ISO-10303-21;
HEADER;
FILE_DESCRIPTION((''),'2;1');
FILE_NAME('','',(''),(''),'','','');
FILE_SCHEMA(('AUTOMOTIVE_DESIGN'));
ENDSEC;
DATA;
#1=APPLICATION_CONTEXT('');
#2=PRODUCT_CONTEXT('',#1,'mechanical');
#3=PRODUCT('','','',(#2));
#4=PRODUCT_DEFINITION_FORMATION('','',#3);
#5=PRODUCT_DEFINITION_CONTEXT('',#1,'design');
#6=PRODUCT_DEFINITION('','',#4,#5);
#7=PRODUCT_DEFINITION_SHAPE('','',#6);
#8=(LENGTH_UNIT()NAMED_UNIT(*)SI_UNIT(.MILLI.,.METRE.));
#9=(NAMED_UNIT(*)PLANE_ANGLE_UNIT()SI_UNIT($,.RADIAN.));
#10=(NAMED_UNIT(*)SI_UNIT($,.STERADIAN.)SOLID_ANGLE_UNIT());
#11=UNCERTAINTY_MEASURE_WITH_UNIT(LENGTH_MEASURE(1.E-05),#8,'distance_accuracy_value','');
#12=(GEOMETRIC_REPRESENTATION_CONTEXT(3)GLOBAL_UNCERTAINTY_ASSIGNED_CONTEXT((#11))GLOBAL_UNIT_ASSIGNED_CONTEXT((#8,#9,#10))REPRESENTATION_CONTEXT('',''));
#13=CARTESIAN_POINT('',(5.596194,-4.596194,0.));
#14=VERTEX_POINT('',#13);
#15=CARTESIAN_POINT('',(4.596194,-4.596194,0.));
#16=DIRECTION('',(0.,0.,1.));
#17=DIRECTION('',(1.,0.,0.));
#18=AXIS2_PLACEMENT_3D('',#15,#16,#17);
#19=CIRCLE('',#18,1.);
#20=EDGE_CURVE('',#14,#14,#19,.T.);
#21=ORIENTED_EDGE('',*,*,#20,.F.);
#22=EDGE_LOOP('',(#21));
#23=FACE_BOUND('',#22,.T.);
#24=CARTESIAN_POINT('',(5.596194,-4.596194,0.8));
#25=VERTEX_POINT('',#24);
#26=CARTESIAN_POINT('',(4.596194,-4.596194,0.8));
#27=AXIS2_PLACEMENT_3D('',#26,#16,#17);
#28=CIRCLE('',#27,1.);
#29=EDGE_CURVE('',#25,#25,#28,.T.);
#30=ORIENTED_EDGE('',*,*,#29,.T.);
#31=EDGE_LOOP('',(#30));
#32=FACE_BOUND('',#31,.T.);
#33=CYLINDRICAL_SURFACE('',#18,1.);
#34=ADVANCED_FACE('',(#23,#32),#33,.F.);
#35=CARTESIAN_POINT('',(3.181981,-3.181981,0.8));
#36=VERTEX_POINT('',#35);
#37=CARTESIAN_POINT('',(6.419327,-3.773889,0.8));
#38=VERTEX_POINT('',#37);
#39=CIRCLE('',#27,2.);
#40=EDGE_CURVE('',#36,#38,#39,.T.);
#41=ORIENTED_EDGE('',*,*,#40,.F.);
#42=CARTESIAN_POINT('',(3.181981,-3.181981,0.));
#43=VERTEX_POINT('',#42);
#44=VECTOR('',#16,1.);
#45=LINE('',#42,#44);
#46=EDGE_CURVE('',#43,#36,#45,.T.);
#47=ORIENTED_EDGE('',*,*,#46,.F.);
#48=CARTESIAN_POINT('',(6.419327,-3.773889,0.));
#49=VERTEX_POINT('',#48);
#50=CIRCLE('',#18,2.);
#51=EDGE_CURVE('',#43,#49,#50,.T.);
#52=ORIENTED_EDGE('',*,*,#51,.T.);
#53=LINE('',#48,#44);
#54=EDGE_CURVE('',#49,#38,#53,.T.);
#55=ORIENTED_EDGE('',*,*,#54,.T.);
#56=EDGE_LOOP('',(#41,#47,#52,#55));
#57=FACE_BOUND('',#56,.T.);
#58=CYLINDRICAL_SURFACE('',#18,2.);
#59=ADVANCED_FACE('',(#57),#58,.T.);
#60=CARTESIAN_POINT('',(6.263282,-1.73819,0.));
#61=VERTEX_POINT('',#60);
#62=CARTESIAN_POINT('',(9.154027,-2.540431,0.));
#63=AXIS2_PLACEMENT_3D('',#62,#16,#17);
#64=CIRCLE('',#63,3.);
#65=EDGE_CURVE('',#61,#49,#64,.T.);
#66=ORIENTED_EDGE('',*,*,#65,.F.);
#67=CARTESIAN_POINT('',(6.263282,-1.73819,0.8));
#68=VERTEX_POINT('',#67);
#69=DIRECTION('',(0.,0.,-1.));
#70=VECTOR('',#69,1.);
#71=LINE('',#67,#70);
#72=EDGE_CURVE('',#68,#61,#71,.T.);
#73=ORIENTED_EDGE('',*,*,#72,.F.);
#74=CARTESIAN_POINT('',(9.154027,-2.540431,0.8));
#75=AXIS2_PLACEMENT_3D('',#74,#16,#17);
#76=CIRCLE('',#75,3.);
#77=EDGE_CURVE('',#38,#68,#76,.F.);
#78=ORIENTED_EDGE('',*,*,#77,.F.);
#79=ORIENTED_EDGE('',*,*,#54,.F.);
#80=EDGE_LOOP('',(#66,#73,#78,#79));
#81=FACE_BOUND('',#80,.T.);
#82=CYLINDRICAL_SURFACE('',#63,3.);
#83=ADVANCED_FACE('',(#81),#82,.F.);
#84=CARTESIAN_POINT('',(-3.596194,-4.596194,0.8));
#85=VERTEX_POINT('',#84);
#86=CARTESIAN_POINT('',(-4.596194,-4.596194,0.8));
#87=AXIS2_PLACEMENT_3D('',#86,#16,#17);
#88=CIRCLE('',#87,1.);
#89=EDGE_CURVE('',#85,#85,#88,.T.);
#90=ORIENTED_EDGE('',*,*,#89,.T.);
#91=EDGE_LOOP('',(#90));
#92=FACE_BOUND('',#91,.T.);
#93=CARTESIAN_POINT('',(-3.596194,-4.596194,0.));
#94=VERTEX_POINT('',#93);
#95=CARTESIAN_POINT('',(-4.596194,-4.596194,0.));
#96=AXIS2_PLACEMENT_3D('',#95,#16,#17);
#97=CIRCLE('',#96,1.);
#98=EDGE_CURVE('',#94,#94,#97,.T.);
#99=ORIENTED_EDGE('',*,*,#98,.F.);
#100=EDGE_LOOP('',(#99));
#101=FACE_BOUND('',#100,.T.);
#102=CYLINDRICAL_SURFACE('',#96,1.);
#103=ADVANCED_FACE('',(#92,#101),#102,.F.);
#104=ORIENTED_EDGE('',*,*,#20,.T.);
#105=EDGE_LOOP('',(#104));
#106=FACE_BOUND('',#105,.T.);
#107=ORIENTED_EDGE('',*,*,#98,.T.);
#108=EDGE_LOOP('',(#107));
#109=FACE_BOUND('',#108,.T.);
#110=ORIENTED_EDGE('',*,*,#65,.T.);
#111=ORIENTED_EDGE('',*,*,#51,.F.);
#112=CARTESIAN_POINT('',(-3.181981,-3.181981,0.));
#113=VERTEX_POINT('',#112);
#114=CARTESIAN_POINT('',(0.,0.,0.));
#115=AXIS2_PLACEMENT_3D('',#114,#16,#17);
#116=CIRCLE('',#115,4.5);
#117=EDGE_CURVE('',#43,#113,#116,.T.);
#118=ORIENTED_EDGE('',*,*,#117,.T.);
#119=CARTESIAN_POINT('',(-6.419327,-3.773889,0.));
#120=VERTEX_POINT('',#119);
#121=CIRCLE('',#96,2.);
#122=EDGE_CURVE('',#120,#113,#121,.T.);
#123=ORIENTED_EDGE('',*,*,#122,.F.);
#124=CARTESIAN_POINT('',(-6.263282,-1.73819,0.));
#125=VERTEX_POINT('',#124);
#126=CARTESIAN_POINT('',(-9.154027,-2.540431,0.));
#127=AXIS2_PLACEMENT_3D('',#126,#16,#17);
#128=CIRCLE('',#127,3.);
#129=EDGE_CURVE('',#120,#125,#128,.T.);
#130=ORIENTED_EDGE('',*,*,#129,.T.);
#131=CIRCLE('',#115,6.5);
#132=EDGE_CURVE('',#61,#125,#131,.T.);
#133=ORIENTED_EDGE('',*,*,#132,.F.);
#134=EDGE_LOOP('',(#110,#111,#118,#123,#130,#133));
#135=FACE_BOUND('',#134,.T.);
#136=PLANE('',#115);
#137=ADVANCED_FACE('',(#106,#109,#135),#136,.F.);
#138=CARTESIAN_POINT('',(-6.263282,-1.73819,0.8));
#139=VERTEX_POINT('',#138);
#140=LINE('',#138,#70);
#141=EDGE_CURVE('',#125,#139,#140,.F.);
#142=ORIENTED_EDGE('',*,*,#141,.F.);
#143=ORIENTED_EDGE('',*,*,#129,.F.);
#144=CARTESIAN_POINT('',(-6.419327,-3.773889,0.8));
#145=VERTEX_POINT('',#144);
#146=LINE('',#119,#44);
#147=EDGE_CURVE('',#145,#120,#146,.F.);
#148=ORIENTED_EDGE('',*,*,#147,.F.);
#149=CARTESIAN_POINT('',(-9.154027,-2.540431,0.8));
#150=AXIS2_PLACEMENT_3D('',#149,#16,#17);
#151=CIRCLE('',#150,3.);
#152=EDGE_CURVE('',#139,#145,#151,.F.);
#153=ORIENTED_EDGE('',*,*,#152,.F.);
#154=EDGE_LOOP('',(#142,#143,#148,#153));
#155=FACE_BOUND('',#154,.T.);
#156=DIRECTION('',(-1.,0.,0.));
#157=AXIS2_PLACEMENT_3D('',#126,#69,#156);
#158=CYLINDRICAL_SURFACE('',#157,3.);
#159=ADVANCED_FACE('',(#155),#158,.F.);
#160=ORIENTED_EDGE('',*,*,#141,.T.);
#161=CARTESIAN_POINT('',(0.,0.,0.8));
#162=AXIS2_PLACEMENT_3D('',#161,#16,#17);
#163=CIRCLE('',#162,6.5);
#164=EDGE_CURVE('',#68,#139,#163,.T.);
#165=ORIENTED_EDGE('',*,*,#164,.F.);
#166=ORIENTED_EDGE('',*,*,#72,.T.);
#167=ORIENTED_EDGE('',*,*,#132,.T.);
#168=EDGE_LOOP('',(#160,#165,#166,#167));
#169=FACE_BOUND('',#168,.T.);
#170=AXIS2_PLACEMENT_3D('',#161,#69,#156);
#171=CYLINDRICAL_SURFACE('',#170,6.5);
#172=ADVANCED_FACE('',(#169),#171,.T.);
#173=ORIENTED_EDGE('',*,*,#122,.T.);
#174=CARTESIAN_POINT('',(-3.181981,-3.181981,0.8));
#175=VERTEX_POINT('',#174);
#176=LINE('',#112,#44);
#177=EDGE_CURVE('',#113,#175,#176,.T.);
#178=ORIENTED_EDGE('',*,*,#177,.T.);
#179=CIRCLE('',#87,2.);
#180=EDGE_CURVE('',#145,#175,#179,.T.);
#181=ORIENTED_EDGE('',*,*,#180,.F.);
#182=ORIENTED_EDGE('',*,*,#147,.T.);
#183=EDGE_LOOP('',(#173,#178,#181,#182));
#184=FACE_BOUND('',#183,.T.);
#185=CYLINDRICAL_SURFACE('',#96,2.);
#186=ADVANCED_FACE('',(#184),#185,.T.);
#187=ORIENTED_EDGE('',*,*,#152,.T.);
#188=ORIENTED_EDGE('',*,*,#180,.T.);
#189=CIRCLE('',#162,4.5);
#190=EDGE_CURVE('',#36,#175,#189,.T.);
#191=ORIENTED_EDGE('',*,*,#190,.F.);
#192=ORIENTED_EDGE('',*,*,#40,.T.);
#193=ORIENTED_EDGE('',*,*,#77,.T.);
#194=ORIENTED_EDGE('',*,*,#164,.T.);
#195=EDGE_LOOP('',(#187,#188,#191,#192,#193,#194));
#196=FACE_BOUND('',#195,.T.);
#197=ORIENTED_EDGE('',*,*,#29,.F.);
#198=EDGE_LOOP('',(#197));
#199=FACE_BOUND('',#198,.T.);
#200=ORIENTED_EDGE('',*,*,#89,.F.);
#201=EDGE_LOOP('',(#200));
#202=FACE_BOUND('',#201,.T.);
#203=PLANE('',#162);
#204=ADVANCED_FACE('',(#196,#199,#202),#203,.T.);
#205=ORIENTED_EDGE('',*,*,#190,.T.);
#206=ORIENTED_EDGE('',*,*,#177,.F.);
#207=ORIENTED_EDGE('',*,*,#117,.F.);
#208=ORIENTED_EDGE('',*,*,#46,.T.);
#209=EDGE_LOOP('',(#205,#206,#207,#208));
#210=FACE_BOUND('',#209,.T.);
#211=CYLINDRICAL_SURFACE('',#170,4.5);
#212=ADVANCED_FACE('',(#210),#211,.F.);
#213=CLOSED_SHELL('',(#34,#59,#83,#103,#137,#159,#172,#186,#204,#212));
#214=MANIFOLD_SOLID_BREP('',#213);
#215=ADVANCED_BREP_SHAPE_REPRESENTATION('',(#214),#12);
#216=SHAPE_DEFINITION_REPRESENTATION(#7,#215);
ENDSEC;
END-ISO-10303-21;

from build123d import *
from build123d.topology import SkipClean

# Parameters (mm, degrees)
SKETCH1_R           = 6.5
SKETCH1_R_2         = 4.5
BOSS_EXTRUDE1_DEPTH = 0.8
SKETCH2_R           = 2
BOSS_EXTRUDE2_DEPTH = 0.8
CUT_EXTRUDE1_START  = -0.8
CUT_EXTRUDE1_DEPTH  = 0.8
SKETCH4_R           = 1
CUT_EXTRUDE2_DEPTH  = 0.8
FILLET1_R           = 3


with BuildPart() as part:
    # Sketch1 → Boss-Extrude1 (new body)
    with BuildSketch(Plane.XY):
        Circle(SKETCH1_R)
        Circle(SKETCH1_R_2, mode=Mode.SUBTRACT)
    extrude(amount=BOSS_EXTRUDE1_DEPTH)

    # Sketch2 → Boss-Extrude2 (add)
    with BuildSketch(Plane.XY.offset(0.8)):
        with Locations((-4.596194078, -4.596194078)):
            Circle(SKETCH2_R)
        with Locations((4.596194078, -4.596194078)):
            Circle(SKETCH2_R)
    extrude(amount=-BOSS_EXTRUDE2_DEPTH)

    # Sketch3 → Cut-Extrude1 (cut)
    with SkipClean():  # the faces are left unmerged after this step: merging them gives an invalid solid
        with BuildSketch(Plane.XY.offset(0.8).offset(CUT_EXTRUDE1_START)):
            with BuildLine():
                ThreePointArc((-2.981245674, -5.775999847), (-2.602155556, -4.441887978), (-3.181980515, -3.181980515))
                ThreePointArc((-3.181980515, -3.181980515), (0, -4.5), (3.181980515, -3.181980515))
                ThreePointArc((3.181980515, -3.181980515), (2.602155556, -4.441887978), (2.981245674, -5.775999847))
                ThreePointArc((2.981245674, -5.775999847), (0, -6.5), (-2.981245674, -5.775999847))
            make_face()
        extrude(amount=CUT_EXTRUDE1_DEPTH, mode=Mode.SUBTRACT)

    # Sketch4 → Cut-Extrude2 (cut)
    with SkipClean():  # the faces are left unmerged after this step: merging them gives an invalid solid
        with BuildSketch(Plane.XY.offset(0.8)):
            with Locations((-4.596194078, -4.596194078)):
                Circle(SKETCH4_R)
            with Locations((4.596194078, -4.596194078)):
                Circle(SKETCH4_R)
        extrude(amount=-CUT_EXTRUDE2_DEPTH, mode=Mode.SUBTRACT)

    # Fillet1
    fillet1_edges = [part.edges().sort_by_distance(p)[0] for p in [
        (-5.775999847, -2.981245674, 0.4),
        (5.775999847, -2.981245674, 0.4),
    ]]
    fillet(fillet1_edges, radius=FILLET1_R)


solid = part.part
